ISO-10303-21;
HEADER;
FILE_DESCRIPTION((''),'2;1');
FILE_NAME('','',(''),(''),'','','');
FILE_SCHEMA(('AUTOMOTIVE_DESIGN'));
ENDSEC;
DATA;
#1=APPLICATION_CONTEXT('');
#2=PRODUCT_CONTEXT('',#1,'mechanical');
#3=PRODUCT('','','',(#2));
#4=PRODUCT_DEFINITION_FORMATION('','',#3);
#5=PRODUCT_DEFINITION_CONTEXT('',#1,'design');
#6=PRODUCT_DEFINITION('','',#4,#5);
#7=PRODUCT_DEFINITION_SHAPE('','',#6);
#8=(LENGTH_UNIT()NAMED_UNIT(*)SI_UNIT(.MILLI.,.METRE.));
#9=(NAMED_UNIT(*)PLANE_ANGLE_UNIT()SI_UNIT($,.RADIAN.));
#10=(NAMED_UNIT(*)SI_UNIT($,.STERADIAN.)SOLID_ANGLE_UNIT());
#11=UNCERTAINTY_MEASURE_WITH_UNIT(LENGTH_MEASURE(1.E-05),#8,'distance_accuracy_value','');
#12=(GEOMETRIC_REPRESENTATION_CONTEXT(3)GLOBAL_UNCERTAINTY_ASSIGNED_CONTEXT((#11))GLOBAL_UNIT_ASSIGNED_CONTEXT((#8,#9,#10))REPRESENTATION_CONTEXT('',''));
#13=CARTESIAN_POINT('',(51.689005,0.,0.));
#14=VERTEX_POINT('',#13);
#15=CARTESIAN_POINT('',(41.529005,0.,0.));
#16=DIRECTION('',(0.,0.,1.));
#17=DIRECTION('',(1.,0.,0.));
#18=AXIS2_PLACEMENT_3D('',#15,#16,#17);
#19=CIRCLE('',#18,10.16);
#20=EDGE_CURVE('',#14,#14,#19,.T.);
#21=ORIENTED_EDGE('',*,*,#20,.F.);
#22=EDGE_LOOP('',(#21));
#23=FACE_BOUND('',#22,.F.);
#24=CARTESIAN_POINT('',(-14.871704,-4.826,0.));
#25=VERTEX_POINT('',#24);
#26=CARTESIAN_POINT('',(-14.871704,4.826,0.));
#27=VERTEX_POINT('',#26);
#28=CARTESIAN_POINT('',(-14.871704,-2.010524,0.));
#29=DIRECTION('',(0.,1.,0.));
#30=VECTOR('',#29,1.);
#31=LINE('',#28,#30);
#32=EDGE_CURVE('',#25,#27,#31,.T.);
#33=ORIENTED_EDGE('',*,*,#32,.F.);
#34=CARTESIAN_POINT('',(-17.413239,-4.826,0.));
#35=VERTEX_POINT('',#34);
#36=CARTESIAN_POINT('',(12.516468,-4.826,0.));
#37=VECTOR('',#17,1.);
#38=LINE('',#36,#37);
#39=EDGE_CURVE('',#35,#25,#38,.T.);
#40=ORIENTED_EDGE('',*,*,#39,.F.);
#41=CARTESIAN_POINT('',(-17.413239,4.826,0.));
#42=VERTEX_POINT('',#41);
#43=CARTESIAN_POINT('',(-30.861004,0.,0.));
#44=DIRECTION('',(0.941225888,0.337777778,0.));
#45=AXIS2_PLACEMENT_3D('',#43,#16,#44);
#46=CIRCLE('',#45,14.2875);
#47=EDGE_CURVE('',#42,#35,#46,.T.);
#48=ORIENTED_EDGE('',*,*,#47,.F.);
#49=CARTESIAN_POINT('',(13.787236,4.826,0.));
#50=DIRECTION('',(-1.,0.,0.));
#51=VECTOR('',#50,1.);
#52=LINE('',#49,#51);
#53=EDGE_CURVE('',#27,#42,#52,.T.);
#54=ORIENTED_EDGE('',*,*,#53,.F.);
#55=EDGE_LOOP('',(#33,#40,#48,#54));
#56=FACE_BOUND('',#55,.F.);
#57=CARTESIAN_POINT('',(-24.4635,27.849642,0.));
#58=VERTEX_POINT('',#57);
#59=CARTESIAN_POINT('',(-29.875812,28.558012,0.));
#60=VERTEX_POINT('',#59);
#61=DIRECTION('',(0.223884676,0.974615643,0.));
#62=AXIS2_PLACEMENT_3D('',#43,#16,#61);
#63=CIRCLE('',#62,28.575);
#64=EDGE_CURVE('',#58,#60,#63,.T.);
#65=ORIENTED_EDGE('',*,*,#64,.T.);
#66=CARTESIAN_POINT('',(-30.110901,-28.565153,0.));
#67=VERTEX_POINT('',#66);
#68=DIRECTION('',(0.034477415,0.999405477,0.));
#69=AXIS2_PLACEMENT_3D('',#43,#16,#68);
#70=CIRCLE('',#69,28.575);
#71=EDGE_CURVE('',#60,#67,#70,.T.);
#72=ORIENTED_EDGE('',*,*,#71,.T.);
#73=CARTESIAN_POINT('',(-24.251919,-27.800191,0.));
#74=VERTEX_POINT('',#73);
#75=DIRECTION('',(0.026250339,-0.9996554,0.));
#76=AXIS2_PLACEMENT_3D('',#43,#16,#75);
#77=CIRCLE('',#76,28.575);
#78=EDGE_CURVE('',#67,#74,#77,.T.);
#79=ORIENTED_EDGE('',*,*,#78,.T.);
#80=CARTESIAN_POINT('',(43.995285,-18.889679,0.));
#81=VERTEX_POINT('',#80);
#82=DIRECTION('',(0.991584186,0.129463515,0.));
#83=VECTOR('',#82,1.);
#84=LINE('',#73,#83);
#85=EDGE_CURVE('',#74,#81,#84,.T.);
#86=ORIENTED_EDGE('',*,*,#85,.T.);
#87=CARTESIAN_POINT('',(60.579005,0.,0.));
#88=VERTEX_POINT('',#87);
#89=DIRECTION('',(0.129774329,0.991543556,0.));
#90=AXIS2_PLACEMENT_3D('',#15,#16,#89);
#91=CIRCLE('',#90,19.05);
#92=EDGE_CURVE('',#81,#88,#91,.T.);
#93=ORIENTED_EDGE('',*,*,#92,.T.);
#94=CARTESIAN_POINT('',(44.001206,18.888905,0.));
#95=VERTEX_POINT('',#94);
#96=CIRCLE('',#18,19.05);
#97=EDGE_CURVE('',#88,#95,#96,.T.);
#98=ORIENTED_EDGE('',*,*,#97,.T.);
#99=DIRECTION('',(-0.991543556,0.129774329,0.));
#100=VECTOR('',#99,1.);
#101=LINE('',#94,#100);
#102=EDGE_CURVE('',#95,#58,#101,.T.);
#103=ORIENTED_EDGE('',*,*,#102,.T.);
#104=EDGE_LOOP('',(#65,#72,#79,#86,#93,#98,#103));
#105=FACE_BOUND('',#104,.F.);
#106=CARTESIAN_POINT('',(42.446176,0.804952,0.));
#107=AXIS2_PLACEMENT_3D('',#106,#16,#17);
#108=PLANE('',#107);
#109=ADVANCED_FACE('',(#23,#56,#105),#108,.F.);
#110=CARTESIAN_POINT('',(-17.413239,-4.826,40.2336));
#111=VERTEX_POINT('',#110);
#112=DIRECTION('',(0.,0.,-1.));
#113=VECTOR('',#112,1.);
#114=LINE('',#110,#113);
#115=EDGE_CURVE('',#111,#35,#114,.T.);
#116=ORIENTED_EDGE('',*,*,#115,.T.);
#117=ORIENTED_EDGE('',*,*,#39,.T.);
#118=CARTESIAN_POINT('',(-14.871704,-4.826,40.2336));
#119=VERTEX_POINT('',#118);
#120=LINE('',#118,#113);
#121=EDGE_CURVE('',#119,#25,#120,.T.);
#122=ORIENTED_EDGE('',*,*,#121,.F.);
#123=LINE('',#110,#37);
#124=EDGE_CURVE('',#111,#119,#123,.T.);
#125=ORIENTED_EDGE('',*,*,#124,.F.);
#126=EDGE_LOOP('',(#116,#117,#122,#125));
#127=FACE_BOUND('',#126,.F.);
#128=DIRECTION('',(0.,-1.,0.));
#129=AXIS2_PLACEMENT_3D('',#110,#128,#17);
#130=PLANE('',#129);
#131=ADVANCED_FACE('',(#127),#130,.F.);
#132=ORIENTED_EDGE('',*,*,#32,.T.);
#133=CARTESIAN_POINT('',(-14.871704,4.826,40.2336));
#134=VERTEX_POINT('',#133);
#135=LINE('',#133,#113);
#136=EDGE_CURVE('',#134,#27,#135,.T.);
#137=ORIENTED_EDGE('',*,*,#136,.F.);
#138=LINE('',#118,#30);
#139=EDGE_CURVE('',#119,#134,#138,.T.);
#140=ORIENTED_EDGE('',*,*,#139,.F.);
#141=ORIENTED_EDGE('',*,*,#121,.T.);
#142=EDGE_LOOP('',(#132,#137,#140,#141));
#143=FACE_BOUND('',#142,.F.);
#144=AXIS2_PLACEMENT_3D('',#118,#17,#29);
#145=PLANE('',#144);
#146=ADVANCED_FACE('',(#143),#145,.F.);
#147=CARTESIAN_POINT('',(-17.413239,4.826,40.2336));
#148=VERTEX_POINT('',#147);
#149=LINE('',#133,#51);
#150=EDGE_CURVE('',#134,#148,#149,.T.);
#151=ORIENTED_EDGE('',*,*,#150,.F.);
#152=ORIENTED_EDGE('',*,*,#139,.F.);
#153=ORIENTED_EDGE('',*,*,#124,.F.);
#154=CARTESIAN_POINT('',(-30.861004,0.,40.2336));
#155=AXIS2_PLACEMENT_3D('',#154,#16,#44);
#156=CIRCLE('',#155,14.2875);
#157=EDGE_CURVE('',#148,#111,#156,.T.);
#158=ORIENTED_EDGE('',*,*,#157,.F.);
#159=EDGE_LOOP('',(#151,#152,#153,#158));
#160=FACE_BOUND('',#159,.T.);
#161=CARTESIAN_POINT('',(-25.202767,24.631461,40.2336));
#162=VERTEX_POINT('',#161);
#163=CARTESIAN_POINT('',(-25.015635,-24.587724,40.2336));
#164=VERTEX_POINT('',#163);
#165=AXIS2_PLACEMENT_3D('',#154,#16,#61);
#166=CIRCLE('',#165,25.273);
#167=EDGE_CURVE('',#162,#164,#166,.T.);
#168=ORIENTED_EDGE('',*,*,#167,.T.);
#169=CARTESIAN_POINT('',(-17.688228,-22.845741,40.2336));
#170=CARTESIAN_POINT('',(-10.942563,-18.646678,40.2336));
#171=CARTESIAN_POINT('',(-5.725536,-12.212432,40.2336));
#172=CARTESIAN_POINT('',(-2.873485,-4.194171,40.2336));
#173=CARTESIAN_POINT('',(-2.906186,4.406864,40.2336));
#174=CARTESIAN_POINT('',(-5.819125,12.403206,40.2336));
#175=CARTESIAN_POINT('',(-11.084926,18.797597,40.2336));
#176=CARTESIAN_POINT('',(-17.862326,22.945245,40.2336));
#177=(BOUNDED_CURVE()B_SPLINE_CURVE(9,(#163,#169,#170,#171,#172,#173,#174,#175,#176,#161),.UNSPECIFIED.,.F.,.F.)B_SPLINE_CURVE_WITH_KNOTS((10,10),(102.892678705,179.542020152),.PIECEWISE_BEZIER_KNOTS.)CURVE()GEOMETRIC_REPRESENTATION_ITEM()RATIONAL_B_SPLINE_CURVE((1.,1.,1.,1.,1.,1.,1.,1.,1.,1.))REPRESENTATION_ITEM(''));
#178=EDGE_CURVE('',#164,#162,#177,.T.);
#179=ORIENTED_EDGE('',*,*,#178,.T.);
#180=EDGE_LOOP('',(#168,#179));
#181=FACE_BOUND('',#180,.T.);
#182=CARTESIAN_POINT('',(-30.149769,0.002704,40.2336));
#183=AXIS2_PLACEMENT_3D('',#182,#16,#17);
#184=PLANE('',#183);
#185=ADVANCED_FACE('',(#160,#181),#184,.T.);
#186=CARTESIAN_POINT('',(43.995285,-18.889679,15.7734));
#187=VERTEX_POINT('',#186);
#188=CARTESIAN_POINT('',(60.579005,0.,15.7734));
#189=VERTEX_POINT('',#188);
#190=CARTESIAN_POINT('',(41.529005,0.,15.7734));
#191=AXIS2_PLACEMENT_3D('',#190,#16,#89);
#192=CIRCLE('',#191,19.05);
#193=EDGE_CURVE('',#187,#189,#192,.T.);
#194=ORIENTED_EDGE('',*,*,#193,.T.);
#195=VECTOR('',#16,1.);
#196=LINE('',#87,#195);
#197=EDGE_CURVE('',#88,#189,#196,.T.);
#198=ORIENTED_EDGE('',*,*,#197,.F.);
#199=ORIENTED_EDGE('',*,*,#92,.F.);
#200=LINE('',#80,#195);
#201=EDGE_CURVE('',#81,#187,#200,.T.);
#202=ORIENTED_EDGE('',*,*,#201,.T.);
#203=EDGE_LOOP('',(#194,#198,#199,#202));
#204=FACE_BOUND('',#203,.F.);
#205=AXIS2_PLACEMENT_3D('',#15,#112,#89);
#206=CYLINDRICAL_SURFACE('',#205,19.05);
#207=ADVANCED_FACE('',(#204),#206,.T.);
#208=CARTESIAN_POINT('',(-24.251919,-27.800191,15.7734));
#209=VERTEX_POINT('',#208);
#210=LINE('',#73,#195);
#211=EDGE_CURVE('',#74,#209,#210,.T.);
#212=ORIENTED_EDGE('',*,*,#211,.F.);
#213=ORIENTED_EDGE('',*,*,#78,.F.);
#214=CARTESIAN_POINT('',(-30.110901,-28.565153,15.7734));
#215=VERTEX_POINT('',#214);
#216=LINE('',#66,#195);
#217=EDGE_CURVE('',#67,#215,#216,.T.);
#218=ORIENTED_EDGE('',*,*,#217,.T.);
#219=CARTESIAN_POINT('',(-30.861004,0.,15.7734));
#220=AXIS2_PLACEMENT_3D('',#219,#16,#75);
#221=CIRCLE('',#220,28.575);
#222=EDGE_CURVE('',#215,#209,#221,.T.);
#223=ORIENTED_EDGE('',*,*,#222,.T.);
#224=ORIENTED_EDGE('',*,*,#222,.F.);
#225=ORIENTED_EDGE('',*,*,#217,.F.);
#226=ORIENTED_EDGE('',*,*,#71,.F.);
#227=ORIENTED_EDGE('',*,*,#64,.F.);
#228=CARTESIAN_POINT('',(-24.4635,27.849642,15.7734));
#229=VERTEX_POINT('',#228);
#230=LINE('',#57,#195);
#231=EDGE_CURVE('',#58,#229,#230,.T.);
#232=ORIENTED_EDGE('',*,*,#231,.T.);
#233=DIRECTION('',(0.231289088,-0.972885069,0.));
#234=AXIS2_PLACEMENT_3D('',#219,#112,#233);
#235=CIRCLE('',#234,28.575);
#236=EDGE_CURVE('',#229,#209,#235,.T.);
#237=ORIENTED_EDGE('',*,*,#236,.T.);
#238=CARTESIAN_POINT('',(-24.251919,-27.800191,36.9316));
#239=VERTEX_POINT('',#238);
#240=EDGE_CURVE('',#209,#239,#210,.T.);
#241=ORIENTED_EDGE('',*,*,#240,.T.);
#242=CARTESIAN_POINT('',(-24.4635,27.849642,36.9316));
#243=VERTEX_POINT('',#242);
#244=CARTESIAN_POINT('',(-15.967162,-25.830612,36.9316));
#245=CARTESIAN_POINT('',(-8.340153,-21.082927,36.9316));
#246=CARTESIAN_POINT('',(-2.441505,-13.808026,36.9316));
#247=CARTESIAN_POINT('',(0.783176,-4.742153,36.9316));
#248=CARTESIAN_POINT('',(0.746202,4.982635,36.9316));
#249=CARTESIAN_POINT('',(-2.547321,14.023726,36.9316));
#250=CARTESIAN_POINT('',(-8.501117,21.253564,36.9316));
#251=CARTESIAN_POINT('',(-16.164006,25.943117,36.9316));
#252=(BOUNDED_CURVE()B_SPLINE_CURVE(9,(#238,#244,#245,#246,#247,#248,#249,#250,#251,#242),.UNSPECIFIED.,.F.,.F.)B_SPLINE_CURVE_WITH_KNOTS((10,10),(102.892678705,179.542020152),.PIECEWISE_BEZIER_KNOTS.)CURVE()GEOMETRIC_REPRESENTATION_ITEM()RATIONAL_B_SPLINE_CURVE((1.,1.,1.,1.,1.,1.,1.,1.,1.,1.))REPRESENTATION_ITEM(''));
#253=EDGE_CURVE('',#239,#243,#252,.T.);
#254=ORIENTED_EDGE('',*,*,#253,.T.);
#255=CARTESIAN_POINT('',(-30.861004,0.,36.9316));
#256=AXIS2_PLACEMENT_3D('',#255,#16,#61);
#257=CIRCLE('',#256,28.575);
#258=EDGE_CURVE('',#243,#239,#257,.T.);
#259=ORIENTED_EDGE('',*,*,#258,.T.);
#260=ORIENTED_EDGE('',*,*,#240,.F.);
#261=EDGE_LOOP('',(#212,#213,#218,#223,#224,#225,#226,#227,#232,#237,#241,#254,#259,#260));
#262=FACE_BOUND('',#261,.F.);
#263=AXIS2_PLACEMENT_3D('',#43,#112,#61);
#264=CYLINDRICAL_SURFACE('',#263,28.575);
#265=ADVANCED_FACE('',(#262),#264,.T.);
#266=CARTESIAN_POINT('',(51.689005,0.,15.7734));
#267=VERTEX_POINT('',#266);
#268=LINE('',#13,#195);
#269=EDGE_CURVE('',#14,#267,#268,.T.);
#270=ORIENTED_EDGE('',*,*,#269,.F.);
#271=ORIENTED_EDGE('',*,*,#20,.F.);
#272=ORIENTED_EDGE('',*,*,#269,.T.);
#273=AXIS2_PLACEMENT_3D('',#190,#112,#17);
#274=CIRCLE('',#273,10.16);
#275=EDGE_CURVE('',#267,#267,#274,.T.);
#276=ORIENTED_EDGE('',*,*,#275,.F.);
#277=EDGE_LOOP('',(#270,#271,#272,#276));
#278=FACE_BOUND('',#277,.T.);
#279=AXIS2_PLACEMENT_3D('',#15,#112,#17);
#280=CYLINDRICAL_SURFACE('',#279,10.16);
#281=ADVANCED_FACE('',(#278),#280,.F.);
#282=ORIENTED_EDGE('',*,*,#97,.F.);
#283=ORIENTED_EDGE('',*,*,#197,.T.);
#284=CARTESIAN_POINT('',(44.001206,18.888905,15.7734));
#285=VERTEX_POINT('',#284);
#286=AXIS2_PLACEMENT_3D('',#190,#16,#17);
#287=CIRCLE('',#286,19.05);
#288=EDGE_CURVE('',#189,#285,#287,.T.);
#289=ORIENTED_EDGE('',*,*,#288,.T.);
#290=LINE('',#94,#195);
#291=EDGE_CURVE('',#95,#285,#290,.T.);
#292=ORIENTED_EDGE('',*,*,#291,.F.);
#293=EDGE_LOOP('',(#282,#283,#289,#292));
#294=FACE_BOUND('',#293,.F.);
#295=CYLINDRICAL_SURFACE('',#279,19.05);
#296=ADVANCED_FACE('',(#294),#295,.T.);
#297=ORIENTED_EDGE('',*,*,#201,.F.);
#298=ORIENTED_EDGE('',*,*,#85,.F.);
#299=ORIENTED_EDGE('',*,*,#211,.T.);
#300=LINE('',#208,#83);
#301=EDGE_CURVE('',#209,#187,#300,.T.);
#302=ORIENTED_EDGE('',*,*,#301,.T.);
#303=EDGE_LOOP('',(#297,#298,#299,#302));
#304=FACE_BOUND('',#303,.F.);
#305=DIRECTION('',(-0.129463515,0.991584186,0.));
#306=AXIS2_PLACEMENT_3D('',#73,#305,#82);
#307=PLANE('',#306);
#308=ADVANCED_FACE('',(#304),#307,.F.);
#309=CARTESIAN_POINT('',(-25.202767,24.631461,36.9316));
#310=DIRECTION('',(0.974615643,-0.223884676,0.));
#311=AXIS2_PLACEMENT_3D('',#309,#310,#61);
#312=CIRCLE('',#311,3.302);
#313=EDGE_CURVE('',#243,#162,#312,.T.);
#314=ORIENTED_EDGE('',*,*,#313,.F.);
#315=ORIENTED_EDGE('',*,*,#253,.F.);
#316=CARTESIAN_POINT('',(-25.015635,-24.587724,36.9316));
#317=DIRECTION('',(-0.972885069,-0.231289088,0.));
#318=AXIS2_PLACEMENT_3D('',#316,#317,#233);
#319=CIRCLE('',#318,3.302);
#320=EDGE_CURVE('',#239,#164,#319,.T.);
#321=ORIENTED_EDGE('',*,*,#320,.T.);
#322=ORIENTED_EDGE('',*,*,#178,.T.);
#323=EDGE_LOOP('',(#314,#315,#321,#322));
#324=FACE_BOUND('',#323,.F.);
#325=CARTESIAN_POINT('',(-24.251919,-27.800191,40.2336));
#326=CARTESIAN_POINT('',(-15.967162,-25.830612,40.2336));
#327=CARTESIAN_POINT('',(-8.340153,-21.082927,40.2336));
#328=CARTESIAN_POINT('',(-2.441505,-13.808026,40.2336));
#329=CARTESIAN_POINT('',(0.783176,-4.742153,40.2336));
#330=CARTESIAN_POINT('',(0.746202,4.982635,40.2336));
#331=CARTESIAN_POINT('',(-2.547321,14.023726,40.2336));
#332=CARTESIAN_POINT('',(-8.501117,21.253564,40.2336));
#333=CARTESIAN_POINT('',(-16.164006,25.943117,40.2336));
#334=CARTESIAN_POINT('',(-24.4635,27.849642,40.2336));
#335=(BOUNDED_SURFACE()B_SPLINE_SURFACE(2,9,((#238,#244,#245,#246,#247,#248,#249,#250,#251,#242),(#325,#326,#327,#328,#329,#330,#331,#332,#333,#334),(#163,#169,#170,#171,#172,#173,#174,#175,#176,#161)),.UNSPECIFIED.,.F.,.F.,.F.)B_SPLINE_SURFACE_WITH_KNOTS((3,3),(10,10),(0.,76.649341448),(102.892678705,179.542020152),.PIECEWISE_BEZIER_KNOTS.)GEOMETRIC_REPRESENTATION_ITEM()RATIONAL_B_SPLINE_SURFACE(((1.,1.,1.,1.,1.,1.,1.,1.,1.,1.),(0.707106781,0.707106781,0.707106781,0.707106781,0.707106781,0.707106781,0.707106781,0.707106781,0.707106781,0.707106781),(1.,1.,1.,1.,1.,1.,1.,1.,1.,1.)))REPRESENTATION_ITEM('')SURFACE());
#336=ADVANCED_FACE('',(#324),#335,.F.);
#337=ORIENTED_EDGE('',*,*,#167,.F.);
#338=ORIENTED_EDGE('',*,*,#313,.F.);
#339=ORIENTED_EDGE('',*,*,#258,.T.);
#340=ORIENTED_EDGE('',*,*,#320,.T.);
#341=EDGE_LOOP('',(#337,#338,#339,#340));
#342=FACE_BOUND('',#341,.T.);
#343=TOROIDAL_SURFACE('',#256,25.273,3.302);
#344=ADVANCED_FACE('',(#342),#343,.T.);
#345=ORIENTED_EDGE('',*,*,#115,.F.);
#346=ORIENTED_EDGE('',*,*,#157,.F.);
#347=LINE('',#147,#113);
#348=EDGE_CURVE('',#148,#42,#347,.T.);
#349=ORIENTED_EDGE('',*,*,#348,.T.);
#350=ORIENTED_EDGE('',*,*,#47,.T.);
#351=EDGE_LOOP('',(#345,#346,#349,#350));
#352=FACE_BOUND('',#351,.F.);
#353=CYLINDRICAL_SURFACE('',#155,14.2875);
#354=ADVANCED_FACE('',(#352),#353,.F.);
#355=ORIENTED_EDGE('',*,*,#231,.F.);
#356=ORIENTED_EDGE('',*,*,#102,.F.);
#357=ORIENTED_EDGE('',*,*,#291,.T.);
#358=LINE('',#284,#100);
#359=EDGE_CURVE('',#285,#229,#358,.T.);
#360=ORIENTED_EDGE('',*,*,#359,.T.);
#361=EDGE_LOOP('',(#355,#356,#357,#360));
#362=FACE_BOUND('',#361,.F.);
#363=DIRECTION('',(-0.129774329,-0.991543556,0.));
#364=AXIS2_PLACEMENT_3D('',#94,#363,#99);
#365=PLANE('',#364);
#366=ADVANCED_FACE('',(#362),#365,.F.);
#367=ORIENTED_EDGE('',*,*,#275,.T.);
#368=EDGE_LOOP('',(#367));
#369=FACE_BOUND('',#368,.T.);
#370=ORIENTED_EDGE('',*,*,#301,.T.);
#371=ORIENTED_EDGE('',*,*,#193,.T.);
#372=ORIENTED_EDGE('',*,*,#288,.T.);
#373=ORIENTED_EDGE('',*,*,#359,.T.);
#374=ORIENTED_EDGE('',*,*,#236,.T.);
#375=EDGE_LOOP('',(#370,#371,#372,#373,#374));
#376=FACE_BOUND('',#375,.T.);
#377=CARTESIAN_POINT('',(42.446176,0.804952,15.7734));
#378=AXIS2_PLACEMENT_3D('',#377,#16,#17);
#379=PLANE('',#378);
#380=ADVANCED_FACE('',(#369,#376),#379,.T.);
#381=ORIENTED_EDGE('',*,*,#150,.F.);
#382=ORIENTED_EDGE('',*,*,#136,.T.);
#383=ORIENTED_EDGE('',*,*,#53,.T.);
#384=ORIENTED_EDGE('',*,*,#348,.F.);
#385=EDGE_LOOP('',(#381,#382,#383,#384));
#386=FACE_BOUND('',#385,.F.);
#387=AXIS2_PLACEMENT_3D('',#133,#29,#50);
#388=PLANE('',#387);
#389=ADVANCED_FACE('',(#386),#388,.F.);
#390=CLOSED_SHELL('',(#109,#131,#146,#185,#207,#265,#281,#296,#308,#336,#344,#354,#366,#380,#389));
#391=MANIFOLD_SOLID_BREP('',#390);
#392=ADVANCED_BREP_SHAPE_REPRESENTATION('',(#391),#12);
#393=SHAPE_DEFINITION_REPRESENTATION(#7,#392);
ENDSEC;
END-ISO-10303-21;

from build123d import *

# Parameters (mm, degrees)
F1_DEPTH = 15.7734
F3_DEPTH = 40.2336
F4_R     = 3.302
F5_R     = 10.16
F6_DEPTH = 40.2346
F8_DEPTH = 40.2346


with BuildPart() as f1:
    # F0 (on Top) → F1 (new body)
    with BuildSketch(Plane.XY):
        with BuildLine():
            ThreePointArc((43.9952853306, -18.8896787473), (55.8448206349, -12.5682112257), (60.5790053739, 0))
            ThreePointArc((60.5790053739, 0), (55.8467902665, 12.565967363), (44.001206343, 18.8889047424))
            ThreePointArc((44.001206343, 18.8889047424), (22.4790056079, 0.0029856939), (43.9952853306, -18.8896787473))
        make_face()
        with BuildLine():
            ThreePointArc((43.9952853306, -18.8896787473), (22.4790056079, 0.0029856939), (44.001206343, 18.8889047424))
            Line((44.001206343, 18.8889047424), (-24.4634996727, 27.8496420043))
            ThreePointArc((-24.4634996727, 27.8496420043), (-8.5077123635, 17.8005889057), (-2.2860042823, 0))
            ThreePointArc((-2.2860042823, 0), (-8.4401964439, -17.7154734872), (-24.2519186042, -27.8001908536))
            Line((-24.2519186042, -27.8001908536), (43.9952853306, -18.8896787473))
        make_face()
        with BuildLine():
            Line((-29.8758121402, 28.5580115107), (-24.4634996727, 27.8496420043))
            ThreePointArc((-24.4634996727, 27.8496420043), (-27.1527028286, 28.3333571136), (-29.8758121402, 28.5580115107))
        make_face()
        with BuildLine():
            ThreePointArc((-2.2860042823, 0), (-8.5077123635, 17.8005889057), (-24.4634996727, 27.8496420043))
            Line((-24.4634996727, 27.8496420043), (-29.8758121402, 28.5580115107))
            ThreePointArc((-29.8758121402, 28.5580115107), (-59.4357622966, 0.1175985837), (-30.110900859, -28.565153069))
            Line((-30.110900859, -28.565153069), (-24.2519186042, -27.8001908536))
            ThreePointArc((-24.2519186042, -27.8001908536), (-8.4401964439, -17.7154734872), (-2.2860042823, 0))
        make_face()
        with BuildLine():
            ThreePointArc((-30.110900859, -28.565153069), (-27.1615843473, -28.3345181209), (-24.2519186042, -27.8001908536))
            Line((-24.2519186042, -27.8001908536), (-30.110900859, -28.565153069))
        make_face()
    extrude(amount=F1_DEPTH)

    # F2 (on Top) → F3 (join)
    with BuildSketch(Plane.XY):
        with BuildLine():
            ThreePointArc((-2.2860042823, 0), (-8.5077123635, 17.8005889057), (-24.4634996727, 27.8496420043))
            ThreePointArc((-24.4634996727, 27.8496420043), (-59.435797755, -0.1086415722), (-24.2519186042, -27.8001908536))
            ThreePointArc((-24.2519186042, -27.8001908536), (-8.4401964439, -17.7154734872), (-2.2860042823, 0))
        make_face()
    extrude(amount=F3_DEPTH)

    # F4
    f4_edges = [f1.edges().sort_by_distance(p)[0] for p in [
        (-37.47009, 27.800191, 40.2336),
    ]]
    fillet(f4_edges, radius=F4_R)

    # F5 (on Top) → F6 (cut, through all)
    with BuildSketch(Plane.XY):
        with Locations((41.5290053739, 0)):
            Circle(F5_R)
    extrude(amount=F6_DEPTH, mode=Mode.SUBTRACT)

    # F7 (on face) → F8 (cut, through all)
    with BuildSketch(Plane.XY.offset(40.2336)):
        with BuildLine():
            ThreePointArc((-17.413239403, -4.826), (-16.7850034837, -2.4492565746), (-16.5735042823, 0))
            ThreePointArc((-16.5735042823, 0), (-16.7850034837, 2.4492565746), (-17.413239403, 4.826))
            ThreePointArc((-17.413239403, 4.826), (-45.1485042823, 0), (-17.413239403, -4.826))
        make_face()
        with BuildLine():
            ThreePointArc((-17.413239403, 4.826), (-16.7850034837, 2.4492565746), (-16.5735042823, 0))
            ThreePointArc((-16.5735042823, 0), (-16.7850034837, -2.4492565746), (-17.413239403, -4.826))
            Line((-17.413239403, -4.826), (-14.8717042823, -4.826))
            Line((-14.8717042823, -4.826), (-14.8717042823, 4.826))
            Line((-14.8717042823, 4.826), (-17.413239403, 4.826))
        make_face()
    extrude(amount=-F8_DEPTH, mode=Mode.SUBTRACT)


solid = f1.part
